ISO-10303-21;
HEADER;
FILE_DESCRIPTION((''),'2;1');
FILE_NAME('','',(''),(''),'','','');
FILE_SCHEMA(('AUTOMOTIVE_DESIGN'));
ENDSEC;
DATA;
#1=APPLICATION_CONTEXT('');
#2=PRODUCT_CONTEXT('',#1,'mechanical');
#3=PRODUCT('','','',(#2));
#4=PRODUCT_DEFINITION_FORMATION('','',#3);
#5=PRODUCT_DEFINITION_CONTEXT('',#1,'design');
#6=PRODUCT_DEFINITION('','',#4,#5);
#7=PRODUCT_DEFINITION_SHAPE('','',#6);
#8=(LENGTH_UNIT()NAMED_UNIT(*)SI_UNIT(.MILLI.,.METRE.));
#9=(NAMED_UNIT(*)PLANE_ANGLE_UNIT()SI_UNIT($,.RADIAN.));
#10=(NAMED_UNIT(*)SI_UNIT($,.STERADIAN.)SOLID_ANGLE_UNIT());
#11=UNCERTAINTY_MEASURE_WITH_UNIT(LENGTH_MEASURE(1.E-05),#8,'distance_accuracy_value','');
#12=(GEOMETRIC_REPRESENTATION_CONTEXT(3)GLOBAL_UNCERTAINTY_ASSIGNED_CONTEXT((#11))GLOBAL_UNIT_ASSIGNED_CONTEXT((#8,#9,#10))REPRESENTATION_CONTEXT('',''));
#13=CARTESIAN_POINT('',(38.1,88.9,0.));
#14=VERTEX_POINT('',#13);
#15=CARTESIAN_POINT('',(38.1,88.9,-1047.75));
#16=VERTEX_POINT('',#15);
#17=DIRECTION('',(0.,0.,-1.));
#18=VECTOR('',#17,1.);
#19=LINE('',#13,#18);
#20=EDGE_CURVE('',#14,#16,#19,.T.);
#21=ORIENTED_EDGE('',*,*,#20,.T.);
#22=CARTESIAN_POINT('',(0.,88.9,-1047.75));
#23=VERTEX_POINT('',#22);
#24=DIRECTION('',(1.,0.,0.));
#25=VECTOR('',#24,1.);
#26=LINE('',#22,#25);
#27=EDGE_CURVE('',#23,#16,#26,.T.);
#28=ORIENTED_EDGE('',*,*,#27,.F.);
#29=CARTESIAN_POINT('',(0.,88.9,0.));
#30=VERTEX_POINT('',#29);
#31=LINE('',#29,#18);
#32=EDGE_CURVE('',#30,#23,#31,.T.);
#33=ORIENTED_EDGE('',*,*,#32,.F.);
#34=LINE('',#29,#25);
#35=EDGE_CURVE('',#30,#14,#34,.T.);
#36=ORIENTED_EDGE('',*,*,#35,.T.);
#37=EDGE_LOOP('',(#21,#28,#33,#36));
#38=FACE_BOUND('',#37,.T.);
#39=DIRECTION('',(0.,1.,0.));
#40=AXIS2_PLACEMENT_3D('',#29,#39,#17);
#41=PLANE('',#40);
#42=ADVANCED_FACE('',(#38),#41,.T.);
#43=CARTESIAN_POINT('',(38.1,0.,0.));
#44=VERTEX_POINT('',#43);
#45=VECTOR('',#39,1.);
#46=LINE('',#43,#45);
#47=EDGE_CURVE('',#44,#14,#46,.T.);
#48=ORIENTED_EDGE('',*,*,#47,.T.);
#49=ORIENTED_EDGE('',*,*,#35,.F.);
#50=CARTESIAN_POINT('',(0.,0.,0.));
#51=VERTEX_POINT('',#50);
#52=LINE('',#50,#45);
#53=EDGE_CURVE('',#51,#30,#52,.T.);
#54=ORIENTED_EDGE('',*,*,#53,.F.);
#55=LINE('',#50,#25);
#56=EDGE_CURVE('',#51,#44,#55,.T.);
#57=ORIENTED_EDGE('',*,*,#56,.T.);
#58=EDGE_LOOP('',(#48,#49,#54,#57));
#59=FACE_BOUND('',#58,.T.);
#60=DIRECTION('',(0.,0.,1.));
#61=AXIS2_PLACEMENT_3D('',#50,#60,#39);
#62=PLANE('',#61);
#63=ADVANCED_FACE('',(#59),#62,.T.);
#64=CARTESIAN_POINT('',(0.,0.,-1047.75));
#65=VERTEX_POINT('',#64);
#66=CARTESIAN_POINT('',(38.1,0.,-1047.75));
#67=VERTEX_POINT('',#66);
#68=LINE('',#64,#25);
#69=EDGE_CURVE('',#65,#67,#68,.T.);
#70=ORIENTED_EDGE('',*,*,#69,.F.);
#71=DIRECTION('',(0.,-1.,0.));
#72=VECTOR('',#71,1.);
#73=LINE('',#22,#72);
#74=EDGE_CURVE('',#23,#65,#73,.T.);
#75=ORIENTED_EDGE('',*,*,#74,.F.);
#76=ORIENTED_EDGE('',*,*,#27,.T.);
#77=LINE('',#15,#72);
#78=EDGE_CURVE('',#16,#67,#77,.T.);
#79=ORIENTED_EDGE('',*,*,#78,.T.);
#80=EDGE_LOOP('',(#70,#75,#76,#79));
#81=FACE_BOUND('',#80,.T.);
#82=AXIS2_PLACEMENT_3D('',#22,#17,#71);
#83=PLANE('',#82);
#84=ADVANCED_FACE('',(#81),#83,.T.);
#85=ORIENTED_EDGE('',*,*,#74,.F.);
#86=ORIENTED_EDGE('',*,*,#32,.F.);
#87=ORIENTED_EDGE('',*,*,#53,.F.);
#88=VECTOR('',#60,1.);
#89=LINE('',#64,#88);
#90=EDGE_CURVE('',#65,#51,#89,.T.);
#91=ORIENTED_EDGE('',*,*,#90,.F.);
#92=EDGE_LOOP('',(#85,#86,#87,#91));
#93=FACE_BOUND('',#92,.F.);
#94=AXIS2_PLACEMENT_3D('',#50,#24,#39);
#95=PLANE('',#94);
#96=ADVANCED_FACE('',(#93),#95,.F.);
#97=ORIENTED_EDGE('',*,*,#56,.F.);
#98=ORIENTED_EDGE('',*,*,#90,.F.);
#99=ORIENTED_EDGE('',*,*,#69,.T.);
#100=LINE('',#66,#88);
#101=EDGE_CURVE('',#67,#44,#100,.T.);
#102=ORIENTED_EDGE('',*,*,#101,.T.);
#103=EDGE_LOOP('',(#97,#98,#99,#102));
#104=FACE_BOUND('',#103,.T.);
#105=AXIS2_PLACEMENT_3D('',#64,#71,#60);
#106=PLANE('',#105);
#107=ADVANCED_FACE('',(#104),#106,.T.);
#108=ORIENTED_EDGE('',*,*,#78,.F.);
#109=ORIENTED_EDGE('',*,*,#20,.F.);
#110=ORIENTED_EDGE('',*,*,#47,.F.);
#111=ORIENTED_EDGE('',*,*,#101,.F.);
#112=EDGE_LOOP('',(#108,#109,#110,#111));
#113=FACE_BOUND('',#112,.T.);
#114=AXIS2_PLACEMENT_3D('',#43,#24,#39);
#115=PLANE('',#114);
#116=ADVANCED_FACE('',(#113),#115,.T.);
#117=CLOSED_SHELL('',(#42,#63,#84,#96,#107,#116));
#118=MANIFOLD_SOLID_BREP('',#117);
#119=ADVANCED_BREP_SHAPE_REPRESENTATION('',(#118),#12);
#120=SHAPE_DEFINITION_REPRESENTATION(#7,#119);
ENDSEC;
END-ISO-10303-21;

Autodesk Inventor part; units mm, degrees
ref_plane "YZ Plane" through (0, 0, 0) normal (1, 0, 0) x (0, 1, 0)
ref_plane "XZ Plane" through (0, 0, 0) normal (0, 1, 0) x (-1, 0, 0)
ref_plane "XY Plane" through (0, 0, 0) normal (0, 0, 1) x (1, 0, 0)
sketch "Sketch1" plane through (0, 0, 0) normal (1, 0, 0) x (0, 1, 0)
  line L0 (0, 0) -> (88.9, 0)
  line L1 (88.9, 0) -> (88.9, -1047.75)
  line L2 (88.9, -1047.75) -> (0, -1047.75)
  line L3 (0, -1047.75) -> (0, 0)
  dimension "d1" = 1047.75
  dimension "d4" = 88.9
extrude "Extrusion1" add sketch "Sketch1" along normal blind 38.1
properties part number "Header_With_Dimensions_1.5_x_5.5_x_66.5_Inches" material "Wood (Birch)"
